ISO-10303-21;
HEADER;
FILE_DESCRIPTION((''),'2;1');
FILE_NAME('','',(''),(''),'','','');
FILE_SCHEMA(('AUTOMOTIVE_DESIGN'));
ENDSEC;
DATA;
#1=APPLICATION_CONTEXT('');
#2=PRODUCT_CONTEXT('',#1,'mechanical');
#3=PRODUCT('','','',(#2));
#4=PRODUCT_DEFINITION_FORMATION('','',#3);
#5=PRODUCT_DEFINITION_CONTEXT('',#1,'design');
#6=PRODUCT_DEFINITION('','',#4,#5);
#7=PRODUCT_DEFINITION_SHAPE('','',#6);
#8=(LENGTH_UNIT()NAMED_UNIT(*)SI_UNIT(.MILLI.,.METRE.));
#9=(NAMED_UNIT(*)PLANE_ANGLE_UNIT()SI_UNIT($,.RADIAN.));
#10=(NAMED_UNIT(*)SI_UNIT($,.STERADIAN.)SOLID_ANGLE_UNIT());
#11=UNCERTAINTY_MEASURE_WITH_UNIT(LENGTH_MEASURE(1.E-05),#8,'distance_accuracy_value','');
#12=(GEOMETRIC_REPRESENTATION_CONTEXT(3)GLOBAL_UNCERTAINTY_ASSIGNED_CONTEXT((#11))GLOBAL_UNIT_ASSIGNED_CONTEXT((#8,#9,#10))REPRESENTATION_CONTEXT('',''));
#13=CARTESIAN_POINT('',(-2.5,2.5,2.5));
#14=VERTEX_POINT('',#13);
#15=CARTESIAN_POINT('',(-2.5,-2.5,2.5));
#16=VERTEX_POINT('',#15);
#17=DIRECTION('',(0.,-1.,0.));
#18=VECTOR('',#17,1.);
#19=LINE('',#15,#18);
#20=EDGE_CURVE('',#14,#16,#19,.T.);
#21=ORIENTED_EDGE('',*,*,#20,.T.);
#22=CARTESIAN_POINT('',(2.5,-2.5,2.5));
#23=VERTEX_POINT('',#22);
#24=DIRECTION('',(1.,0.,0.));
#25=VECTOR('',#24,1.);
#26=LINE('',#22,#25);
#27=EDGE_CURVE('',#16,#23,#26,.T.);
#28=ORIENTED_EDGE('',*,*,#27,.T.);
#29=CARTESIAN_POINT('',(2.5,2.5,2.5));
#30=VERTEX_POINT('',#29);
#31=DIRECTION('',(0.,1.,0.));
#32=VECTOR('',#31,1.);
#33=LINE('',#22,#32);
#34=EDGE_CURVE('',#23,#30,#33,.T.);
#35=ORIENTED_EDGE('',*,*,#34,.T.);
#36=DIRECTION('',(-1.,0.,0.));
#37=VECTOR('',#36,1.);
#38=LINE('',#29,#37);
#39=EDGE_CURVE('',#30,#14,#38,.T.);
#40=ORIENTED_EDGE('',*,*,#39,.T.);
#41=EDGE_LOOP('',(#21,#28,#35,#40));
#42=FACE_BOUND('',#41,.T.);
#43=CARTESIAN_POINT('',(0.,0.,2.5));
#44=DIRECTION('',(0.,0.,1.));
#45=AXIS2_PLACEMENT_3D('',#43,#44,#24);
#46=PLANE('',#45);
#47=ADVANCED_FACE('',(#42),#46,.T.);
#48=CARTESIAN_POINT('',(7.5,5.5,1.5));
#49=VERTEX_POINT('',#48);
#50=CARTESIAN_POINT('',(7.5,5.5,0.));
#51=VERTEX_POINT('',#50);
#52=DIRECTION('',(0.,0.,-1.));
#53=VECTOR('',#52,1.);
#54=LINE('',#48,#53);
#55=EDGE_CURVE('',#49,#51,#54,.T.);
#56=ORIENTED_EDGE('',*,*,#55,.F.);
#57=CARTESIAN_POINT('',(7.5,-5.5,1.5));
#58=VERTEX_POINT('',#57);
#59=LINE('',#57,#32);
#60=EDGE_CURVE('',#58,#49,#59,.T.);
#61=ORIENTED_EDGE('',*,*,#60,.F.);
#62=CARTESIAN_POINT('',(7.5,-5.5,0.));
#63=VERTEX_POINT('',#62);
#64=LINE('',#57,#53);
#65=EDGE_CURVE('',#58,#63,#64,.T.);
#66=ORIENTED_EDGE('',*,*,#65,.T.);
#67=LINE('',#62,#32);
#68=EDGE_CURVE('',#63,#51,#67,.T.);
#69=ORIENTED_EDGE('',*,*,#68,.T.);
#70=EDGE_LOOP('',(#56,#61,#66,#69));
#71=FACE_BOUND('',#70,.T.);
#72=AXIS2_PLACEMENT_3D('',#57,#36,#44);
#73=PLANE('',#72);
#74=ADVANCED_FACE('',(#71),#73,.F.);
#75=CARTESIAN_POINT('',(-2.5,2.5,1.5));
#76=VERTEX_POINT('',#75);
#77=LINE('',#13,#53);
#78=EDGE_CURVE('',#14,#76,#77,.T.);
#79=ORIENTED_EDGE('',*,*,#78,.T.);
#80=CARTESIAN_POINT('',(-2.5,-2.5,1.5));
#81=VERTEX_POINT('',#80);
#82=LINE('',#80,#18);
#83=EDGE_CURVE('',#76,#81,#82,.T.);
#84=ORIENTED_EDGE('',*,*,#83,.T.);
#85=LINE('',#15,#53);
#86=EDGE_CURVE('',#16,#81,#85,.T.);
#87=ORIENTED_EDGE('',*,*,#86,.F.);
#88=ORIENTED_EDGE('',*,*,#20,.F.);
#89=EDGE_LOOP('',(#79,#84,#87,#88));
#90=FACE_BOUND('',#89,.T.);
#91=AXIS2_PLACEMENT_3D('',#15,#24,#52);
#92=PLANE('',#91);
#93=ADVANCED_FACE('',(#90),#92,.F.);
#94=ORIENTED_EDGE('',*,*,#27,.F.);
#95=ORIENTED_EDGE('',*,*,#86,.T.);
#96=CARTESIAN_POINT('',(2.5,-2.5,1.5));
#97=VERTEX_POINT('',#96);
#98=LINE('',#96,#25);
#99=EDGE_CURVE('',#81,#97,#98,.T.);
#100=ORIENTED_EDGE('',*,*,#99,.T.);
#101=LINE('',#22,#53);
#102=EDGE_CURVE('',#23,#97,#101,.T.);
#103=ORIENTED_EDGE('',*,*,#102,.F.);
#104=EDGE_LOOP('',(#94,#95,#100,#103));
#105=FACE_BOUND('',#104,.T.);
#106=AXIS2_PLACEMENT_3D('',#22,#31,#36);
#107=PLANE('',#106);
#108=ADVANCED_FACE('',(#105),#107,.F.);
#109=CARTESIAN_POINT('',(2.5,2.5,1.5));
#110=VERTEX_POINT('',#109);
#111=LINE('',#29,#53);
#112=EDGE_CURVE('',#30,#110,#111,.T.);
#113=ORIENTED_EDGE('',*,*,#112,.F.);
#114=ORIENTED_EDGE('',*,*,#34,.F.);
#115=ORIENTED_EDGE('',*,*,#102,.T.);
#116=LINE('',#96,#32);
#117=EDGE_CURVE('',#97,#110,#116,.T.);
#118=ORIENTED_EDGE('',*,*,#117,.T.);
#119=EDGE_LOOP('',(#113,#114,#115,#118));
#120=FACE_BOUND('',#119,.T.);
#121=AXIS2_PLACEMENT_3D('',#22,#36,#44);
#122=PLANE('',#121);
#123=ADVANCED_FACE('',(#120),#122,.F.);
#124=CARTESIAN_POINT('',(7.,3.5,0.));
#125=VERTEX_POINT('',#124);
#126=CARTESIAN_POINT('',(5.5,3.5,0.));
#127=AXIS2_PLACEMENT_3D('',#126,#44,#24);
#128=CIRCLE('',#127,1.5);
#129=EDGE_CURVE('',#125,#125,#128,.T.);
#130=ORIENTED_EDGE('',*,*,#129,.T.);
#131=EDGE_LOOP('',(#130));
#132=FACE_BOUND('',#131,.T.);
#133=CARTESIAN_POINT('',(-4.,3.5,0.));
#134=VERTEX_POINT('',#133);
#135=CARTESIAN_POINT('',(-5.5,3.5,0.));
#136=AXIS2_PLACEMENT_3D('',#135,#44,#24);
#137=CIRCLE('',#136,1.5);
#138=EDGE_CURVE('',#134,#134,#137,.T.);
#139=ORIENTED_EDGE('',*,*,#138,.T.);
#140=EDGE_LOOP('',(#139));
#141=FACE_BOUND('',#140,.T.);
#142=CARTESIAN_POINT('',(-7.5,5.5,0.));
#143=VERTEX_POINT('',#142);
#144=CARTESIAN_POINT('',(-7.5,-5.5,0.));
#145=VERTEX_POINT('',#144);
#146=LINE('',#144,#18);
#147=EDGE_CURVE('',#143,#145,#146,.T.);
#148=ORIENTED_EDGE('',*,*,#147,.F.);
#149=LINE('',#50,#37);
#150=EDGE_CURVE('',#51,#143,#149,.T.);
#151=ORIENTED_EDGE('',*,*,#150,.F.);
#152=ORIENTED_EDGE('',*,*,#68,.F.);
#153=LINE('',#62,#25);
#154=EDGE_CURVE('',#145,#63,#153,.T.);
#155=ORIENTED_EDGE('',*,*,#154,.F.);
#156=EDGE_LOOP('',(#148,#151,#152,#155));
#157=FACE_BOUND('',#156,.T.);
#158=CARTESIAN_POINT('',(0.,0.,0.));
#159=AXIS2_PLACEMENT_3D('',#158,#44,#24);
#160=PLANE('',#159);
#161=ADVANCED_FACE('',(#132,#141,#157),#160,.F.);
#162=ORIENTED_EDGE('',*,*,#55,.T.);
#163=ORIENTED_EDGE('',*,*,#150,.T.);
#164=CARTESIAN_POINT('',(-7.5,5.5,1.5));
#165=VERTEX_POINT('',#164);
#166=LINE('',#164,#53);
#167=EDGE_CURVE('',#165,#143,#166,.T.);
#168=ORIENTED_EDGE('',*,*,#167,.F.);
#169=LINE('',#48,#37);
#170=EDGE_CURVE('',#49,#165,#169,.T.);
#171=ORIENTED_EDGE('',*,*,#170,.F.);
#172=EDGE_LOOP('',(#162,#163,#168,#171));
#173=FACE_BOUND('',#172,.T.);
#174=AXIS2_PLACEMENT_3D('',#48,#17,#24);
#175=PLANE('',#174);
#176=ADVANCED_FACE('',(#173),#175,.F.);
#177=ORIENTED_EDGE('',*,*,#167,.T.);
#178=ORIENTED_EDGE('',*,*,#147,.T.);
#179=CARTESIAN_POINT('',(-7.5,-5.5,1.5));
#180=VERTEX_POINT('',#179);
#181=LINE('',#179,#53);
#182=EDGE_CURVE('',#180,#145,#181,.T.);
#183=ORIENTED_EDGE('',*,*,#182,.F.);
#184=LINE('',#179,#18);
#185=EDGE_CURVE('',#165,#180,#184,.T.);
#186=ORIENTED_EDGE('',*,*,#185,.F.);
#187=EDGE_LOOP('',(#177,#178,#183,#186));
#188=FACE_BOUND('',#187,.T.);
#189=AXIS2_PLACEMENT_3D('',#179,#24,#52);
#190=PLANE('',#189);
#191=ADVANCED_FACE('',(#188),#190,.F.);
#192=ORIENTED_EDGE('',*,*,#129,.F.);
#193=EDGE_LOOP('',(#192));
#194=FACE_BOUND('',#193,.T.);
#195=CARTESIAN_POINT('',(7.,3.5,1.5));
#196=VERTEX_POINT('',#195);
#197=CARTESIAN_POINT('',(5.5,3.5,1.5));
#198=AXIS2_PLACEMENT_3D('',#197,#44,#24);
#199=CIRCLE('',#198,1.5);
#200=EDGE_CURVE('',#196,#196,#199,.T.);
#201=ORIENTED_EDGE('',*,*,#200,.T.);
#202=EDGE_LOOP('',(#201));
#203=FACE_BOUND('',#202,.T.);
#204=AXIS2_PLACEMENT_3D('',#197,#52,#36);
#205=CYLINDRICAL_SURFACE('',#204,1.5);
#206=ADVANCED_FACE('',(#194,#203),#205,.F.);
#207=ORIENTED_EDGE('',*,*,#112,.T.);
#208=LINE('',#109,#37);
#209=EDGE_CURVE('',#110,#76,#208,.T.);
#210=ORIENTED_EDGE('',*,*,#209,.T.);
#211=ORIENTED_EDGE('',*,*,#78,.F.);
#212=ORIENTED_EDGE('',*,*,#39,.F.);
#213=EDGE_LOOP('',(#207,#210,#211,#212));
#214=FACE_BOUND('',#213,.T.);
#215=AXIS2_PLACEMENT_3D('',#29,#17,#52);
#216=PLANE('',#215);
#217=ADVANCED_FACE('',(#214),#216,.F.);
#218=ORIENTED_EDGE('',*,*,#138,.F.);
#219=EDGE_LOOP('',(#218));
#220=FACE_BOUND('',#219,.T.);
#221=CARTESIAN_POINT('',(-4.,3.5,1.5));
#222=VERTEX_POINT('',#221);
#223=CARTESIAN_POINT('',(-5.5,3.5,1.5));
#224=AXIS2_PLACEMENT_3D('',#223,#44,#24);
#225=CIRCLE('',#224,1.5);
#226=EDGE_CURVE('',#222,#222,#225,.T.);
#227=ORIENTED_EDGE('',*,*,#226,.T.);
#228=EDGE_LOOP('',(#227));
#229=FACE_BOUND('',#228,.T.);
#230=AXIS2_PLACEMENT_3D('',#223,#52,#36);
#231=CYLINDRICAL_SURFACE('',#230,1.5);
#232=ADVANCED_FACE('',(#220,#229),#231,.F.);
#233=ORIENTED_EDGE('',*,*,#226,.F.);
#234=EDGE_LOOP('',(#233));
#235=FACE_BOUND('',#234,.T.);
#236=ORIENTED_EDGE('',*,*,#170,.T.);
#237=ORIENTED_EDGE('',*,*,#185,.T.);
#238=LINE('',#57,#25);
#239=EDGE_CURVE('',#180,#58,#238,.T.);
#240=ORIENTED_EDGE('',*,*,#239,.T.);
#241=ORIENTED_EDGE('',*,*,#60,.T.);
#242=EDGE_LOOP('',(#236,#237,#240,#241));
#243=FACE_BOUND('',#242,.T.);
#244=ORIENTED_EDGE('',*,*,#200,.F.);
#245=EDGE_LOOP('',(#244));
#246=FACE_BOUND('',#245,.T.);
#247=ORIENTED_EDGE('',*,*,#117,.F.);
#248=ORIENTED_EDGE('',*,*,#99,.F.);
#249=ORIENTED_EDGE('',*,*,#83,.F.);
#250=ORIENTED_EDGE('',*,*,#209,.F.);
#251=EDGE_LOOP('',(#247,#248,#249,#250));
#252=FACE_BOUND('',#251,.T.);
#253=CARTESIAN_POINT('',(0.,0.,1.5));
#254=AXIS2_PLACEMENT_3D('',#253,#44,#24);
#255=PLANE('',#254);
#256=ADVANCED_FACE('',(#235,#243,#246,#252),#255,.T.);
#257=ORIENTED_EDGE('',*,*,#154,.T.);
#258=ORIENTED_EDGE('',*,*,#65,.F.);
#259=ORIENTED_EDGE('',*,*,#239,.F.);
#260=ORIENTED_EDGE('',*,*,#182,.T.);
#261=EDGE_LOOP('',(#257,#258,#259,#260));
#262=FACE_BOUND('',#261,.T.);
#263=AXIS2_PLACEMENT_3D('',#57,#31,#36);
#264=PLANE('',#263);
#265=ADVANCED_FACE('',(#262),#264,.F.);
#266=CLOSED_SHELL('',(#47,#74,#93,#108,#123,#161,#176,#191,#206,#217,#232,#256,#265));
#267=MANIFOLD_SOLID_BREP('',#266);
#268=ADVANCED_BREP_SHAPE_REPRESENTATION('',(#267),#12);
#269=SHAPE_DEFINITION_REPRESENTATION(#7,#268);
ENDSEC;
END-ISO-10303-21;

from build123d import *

# Parameters (mm, degrees)
SKETCH_1_W      = 15
SKETCH_1_H      = 11
SKETCH_1_R      = 1.5
EXTRUDE_1_DEPTH = 1.5
SKETCH_2_W      = 5
SKETCH_2_H      = 5
EXTRUDE_2_DEPTH = 1


with BuildPart() as part:
    # 草图1 → 凸台-拉伸1 (new body)
    with BuildSketch(Plane.XY):
        Rectangle(SKETCH_1_W, SKETCH_1_H)
        with Locations((-5.5, 3.5)):
            Circle(SKETCH_1_R, mode=Mode.SUBTRACT)
        with Locations((5.5, 3.5)):
            Circle(SKETCH_1_R, mode=Mode.SUBTRACT)
    extrude(amount=EXTRUDE_1_DEPTH)

    # 草图2 → 凸台-拉伸2 (add)
    with BuildSketch(Plane.XY.offset(1.5)):
        Rectangle(SKETCH_2_W, SKETCH_2_H)
    extrude(amount=EXTRUDE_2_DEPTH)


solid = part.part
